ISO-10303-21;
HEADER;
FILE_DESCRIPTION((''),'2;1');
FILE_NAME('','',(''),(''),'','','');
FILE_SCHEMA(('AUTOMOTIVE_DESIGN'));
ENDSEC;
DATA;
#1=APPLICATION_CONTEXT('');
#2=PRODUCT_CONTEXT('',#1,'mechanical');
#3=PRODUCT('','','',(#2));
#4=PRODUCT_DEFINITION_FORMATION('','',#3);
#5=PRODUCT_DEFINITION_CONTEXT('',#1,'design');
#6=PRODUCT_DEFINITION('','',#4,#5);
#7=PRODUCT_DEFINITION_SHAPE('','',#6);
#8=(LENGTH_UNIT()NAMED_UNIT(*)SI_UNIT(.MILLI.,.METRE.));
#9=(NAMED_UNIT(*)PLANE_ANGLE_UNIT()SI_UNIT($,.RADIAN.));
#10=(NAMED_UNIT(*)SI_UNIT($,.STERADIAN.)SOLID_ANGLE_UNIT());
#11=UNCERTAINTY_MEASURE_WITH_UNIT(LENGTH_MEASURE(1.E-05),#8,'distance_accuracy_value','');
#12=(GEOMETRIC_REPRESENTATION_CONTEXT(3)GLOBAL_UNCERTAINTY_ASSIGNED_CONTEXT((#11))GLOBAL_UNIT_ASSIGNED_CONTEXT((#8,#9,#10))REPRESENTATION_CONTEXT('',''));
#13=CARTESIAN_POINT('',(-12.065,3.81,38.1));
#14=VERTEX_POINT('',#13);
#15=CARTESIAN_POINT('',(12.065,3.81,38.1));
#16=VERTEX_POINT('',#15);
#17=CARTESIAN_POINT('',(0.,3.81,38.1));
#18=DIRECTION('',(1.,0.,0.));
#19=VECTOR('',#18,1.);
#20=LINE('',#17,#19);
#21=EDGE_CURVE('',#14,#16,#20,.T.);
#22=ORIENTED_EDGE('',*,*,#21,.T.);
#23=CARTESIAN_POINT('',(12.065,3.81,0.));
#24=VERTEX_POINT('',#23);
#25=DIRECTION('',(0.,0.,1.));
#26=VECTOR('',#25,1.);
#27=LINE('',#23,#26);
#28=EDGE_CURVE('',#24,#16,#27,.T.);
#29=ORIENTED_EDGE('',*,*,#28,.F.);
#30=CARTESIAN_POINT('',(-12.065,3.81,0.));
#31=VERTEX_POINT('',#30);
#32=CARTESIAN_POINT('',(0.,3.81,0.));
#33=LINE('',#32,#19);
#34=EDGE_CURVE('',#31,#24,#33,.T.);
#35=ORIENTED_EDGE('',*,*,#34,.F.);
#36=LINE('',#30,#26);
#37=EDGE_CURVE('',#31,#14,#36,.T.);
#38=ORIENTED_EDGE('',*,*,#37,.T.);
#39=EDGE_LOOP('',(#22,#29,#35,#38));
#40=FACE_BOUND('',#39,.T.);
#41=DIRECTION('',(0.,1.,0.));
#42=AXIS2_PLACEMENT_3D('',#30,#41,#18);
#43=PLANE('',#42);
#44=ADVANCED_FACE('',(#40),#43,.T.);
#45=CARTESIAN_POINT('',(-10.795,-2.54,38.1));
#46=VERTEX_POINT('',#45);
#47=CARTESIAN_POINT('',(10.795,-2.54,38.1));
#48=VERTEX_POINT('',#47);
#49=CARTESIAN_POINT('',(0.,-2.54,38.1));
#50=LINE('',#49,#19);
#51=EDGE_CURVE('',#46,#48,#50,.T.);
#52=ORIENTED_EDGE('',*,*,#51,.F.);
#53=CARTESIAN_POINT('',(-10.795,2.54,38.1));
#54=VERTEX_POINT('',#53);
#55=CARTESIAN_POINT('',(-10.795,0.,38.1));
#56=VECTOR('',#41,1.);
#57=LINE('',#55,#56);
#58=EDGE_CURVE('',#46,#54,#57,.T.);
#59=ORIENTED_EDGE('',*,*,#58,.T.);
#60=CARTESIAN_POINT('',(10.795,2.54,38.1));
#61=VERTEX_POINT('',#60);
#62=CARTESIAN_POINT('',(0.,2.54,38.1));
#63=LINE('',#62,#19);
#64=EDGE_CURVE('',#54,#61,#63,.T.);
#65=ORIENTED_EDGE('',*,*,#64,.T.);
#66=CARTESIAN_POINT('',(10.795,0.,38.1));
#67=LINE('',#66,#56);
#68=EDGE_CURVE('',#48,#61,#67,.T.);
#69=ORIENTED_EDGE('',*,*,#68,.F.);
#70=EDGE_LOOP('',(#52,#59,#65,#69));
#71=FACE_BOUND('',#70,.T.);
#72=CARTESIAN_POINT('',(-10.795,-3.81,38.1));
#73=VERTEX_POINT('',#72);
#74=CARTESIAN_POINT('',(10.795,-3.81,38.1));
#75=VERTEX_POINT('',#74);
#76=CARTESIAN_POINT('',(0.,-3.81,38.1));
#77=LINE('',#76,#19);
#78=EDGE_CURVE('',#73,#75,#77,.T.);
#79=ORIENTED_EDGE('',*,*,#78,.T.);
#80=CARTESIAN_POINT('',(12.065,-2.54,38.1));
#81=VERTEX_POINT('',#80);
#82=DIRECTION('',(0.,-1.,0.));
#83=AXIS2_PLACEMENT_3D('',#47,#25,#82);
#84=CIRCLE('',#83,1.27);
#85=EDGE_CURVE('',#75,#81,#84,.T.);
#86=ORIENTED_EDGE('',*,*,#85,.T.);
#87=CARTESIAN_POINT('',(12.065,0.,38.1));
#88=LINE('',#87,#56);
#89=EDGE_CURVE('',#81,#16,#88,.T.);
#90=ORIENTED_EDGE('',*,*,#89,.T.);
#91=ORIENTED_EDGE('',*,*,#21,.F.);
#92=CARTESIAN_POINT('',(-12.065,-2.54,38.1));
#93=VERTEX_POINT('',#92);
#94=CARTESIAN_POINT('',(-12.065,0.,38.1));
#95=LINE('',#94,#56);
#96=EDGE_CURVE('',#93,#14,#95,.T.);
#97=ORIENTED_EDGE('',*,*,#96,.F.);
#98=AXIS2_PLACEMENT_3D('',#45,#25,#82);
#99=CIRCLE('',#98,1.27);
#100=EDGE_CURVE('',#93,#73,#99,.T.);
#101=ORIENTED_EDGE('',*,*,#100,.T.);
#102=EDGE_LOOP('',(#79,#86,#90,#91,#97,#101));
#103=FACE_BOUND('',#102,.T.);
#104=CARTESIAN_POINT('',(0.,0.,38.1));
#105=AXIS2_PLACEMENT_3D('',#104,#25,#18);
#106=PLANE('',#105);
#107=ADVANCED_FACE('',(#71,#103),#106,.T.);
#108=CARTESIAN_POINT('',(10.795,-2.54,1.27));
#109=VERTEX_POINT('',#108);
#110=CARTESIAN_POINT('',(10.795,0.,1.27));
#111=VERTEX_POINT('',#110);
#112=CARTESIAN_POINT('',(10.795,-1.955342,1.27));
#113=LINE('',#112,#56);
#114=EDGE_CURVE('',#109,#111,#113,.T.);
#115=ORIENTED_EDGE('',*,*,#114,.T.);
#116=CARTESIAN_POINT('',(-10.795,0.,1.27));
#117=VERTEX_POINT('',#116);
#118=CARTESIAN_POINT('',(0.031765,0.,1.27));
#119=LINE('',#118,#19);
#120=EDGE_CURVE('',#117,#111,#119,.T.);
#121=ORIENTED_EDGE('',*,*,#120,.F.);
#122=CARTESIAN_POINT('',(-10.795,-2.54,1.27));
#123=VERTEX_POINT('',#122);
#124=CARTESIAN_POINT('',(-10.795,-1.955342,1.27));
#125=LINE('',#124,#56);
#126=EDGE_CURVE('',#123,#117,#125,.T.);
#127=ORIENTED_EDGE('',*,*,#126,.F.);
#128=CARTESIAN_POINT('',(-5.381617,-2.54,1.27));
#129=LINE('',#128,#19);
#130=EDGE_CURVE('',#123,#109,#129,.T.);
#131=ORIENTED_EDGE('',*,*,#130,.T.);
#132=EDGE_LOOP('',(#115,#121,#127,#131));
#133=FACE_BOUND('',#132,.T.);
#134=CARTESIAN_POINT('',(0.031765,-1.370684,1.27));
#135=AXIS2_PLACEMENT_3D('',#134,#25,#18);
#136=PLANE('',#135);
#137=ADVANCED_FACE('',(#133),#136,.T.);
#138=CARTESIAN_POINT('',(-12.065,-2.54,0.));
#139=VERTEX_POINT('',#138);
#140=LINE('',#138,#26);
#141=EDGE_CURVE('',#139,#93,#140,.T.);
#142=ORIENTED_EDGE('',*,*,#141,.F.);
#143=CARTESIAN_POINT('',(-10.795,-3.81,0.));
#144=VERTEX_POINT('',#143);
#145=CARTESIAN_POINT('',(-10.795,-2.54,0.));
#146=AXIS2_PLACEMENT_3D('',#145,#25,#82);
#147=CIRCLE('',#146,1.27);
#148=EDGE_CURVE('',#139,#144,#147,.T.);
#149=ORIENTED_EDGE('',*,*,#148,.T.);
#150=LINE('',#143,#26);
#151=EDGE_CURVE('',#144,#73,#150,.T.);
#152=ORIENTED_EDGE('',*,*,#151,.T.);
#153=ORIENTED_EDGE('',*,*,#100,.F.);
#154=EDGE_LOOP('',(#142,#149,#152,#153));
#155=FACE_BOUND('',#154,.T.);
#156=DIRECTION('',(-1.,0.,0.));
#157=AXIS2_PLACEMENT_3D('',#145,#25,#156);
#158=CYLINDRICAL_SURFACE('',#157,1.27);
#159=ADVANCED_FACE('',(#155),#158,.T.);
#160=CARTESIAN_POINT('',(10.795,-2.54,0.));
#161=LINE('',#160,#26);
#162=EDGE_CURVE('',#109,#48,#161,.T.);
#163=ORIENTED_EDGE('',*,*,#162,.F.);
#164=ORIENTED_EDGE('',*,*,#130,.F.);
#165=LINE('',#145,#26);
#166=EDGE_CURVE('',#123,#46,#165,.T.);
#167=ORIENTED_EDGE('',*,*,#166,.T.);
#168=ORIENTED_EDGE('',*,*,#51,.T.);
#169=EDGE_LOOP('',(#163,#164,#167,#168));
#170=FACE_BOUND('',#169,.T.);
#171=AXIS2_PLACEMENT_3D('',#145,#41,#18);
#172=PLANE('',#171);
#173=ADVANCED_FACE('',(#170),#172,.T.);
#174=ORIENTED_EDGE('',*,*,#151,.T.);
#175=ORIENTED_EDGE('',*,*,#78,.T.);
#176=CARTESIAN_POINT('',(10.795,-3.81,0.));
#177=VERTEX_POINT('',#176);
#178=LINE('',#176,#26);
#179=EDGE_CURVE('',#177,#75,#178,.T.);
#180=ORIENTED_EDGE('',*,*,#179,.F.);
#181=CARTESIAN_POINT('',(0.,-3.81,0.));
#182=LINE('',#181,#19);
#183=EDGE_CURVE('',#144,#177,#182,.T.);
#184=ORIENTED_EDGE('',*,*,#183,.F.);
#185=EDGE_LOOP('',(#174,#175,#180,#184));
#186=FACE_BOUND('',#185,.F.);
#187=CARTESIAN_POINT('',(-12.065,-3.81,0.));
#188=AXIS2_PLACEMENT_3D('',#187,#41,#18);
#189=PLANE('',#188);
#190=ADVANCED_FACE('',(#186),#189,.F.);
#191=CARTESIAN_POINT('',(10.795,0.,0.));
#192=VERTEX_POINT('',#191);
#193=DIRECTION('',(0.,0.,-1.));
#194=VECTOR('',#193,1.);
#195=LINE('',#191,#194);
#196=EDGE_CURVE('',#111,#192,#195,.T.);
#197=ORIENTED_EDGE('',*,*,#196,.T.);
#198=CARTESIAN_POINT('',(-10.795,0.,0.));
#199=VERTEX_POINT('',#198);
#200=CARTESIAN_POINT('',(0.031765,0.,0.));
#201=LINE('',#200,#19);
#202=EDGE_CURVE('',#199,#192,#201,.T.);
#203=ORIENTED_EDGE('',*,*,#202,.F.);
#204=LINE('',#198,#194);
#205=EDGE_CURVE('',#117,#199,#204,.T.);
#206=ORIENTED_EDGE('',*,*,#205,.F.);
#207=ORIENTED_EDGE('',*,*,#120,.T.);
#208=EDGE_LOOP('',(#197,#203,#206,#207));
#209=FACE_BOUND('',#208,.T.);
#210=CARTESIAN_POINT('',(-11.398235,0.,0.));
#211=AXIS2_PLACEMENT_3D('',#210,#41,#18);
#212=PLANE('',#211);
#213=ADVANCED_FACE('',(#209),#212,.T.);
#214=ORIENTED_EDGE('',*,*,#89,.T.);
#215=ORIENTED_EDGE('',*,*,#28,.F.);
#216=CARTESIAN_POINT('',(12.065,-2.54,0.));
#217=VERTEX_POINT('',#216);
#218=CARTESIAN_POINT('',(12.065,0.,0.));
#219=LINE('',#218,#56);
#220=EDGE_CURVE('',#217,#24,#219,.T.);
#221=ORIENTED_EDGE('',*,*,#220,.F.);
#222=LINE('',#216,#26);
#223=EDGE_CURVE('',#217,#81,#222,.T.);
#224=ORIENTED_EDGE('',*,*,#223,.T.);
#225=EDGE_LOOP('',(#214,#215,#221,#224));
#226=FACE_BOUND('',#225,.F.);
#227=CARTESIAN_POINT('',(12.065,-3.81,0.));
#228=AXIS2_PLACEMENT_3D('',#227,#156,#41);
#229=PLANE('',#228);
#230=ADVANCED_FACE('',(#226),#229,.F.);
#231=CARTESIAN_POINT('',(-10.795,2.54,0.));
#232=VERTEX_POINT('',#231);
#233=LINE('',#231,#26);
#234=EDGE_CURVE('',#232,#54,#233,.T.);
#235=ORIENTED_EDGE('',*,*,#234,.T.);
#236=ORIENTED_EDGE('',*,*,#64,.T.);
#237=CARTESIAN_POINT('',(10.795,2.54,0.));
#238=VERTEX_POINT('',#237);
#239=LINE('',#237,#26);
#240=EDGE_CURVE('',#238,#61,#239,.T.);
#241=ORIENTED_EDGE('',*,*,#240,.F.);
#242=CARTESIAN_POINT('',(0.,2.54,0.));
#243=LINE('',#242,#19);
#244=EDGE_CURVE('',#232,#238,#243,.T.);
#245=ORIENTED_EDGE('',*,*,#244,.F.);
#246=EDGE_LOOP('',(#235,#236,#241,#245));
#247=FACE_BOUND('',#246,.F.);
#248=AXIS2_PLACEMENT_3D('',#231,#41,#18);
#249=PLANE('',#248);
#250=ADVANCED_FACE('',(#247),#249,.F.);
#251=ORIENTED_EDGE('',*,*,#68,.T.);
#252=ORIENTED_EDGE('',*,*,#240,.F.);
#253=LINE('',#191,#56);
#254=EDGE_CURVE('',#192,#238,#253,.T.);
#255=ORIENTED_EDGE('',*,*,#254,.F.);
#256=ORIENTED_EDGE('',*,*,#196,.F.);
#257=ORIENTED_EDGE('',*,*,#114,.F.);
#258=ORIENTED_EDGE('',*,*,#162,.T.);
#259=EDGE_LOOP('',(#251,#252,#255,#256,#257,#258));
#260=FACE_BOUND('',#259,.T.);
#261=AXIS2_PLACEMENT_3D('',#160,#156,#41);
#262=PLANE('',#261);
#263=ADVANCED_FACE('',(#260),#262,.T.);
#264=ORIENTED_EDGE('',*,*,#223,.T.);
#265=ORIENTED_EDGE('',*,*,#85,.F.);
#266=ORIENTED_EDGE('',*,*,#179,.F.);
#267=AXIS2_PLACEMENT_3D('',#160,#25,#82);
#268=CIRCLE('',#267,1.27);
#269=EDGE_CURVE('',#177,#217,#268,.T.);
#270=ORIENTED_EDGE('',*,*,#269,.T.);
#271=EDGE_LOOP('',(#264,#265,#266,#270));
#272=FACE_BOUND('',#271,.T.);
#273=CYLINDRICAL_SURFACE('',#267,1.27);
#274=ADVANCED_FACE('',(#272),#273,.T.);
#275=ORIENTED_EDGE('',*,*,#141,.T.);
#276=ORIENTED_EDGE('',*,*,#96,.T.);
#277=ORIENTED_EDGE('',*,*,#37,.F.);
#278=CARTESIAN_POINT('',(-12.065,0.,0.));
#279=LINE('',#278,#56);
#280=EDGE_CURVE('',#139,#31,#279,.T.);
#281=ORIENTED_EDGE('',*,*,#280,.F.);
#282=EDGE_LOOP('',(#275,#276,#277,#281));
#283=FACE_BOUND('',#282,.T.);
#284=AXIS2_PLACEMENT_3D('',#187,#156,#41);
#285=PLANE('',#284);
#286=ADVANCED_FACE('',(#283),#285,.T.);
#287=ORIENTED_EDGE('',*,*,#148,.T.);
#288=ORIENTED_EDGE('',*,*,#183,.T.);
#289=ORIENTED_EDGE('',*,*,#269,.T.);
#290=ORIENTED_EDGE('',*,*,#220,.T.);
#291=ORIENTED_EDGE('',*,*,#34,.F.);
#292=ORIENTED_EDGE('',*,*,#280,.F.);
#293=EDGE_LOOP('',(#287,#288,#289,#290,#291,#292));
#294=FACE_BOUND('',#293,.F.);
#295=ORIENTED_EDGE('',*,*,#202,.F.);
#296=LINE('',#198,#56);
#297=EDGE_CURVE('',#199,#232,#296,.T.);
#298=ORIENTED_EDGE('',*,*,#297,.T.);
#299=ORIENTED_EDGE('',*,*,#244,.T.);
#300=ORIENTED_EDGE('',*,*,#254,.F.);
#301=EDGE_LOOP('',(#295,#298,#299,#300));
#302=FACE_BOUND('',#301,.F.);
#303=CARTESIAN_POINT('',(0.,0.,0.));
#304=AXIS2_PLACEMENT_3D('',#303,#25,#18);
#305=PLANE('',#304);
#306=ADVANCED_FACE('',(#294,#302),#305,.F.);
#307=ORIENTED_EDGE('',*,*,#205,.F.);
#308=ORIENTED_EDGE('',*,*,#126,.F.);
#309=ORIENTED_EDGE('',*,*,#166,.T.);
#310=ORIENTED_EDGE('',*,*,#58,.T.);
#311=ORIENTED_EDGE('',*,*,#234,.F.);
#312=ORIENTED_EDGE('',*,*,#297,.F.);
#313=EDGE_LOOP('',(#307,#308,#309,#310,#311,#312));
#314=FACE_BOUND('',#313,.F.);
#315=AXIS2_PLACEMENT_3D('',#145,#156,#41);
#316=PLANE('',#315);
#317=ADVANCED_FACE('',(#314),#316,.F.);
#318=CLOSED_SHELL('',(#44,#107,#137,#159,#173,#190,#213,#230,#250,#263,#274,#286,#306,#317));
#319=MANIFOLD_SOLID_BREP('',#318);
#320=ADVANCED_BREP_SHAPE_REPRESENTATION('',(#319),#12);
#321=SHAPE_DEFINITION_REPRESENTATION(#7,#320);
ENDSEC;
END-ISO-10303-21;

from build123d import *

# Parameters (mm, degrees)
F0_W     = 24.13
F0_H     = 7.62
F0_W_2   = 21.59
F0_H_2   = 5.08
F1_DEPTH = 38.1
F2_W     = 22.86
F2_H     = 2.741368
F3_DEPTH = 1.27
F4_R     = 1.27


with BuildPart() as f1:
    # F0 (on Top) → F1 (new body)
    with BuildSketch(Plane.XY):
        Rectangle(F0_W, F0_H)
        Rectangle(F0_W_2, F0_H_2, mode=Mode.SUBTRACT)
    extrude(amount=F1_DEPTH)

    # F2 (on Top) → F3 (join)
    with BuildSketch(Plane.XY):
        with Locations((0.031765, -1.370684)):
            Rectangle(F2_W, F2_H)
    extrude(amount=F3_DEPTH)

    # F4
    f4_edges = [f1.edges().sort_by_distance(p)[0] for p in [
        (-12.065, -3.81, 19.05),
        (12.065, -3.81, 19.05),
    ]]
    fillet(f4_edges, radius=F4_R)


solid = f1.part
